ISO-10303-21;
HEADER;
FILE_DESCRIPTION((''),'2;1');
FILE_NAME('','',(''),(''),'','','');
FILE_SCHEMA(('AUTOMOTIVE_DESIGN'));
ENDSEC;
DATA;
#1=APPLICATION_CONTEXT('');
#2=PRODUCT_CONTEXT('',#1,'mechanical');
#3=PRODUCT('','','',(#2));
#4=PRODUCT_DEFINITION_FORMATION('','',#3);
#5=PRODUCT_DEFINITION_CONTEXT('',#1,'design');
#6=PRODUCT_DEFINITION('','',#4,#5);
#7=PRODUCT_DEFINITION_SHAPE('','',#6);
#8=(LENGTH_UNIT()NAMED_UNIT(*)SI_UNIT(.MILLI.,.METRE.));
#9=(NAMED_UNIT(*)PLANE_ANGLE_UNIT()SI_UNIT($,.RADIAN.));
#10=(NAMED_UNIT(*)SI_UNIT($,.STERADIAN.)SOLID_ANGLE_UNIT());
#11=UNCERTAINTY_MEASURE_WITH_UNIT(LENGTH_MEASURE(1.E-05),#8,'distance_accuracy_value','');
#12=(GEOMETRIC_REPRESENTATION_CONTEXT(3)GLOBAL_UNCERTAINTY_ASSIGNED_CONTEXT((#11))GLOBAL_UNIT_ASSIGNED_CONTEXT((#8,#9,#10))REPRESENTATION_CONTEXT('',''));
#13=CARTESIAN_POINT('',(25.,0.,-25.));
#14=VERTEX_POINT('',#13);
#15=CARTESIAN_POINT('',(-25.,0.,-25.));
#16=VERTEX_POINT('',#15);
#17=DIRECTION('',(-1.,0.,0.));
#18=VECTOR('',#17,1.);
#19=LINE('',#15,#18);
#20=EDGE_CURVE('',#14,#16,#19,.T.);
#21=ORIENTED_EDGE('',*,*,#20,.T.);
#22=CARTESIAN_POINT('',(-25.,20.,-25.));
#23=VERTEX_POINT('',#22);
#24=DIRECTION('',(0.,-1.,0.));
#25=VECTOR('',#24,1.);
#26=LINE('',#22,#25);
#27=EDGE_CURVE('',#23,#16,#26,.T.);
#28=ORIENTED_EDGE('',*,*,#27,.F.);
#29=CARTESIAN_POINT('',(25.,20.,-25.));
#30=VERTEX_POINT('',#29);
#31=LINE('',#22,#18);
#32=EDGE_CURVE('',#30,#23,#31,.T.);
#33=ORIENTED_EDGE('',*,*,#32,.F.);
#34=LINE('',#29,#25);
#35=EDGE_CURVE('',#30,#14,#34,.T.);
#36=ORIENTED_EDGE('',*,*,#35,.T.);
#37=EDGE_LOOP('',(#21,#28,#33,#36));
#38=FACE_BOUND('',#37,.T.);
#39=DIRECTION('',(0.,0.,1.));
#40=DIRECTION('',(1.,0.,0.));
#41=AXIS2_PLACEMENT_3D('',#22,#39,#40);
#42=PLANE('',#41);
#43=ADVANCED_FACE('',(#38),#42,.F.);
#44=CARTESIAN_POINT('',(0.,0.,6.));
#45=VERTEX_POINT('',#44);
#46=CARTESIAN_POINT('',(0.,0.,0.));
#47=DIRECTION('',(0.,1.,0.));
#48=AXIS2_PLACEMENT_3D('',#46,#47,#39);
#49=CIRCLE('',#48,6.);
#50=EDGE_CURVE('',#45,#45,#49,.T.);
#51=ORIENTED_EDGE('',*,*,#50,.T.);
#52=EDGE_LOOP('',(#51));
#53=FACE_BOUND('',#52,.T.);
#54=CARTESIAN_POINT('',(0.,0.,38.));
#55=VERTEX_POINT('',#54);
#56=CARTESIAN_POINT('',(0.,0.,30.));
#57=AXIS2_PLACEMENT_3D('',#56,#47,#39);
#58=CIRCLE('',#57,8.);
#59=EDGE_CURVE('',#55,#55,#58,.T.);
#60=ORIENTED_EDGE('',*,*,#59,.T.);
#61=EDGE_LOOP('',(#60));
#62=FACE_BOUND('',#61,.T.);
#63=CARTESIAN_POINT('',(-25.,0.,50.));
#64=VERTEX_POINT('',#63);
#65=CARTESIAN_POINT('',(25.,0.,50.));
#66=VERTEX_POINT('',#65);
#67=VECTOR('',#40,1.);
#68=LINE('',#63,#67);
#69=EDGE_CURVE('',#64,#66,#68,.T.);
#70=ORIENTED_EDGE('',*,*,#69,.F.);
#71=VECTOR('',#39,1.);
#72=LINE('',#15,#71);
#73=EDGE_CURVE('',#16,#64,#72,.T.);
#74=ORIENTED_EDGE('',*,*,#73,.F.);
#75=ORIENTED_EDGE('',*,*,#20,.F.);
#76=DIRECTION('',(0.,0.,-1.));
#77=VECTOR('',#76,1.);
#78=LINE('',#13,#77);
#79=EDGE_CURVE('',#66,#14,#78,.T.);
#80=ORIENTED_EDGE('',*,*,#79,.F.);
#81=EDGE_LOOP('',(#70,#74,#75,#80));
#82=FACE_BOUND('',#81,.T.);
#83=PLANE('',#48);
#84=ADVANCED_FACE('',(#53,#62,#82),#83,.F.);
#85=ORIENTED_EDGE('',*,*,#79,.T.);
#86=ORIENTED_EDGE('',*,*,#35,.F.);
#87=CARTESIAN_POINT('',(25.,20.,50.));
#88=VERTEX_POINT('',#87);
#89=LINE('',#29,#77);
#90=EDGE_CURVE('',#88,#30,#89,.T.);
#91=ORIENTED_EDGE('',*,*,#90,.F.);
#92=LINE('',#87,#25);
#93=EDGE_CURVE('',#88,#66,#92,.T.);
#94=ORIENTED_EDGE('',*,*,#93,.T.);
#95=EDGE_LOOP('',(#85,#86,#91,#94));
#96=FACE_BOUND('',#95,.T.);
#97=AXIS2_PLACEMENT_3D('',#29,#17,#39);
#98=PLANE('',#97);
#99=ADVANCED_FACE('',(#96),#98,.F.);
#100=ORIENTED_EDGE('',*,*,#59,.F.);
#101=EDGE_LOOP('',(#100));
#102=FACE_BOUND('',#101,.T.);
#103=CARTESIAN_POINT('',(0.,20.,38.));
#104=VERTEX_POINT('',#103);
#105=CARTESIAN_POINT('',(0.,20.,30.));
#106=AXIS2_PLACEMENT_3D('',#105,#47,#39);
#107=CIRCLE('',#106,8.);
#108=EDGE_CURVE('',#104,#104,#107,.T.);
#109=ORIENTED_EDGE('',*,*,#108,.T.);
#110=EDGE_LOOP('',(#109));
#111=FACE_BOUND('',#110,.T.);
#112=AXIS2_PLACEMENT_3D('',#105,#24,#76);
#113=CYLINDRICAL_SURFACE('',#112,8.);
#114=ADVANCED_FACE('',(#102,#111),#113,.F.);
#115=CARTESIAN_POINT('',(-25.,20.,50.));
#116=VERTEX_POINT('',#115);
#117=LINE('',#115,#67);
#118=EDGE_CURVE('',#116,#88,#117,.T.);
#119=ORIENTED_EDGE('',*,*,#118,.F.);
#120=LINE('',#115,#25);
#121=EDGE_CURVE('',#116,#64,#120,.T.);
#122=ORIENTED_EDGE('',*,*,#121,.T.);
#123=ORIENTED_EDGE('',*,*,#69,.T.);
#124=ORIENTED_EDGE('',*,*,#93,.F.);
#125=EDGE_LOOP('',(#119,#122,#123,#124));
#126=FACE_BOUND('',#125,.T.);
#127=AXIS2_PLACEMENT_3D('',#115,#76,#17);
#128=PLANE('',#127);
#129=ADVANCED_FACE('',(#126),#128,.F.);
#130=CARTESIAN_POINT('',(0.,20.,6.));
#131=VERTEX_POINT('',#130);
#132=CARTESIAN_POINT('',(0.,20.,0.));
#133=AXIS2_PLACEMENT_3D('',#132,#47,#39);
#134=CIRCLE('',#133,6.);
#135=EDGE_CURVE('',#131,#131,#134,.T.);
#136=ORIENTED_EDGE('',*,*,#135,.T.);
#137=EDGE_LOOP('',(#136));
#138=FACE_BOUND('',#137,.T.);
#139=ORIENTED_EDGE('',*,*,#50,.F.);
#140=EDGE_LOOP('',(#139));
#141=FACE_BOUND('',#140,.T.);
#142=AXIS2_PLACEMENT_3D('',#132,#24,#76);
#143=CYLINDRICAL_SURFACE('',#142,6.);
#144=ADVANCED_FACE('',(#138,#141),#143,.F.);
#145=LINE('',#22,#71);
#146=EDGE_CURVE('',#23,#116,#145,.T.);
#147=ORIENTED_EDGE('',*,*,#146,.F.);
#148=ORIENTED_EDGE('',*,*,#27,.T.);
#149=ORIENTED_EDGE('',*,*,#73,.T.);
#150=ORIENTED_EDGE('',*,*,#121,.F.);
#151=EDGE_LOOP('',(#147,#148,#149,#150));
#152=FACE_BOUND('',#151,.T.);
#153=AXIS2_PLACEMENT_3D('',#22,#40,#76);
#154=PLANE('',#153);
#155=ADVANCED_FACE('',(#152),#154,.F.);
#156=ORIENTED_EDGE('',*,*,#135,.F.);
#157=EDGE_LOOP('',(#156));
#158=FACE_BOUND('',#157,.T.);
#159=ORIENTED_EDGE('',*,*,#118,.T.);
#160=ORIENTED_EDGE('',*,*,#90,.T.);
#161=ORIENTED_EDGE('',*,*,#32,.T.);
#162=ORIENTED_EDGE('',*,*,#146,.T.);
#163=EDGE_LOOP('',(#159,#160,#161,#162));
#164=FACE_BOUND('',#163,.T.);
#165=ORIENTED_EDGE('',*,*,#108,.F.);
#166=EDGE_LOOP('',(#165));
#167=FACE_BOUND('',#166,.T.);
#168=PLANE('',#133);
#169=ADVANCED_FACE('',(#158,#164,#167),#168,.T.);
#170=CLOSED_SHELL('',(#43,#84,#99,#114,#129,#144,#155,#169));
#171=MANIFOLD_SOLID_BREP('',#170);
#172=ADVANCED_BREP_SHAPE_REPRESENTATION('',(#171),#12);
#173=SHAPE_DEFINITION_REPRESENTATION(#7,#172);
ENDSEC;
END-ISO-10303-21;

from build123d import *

# Parameters (mm, degrees)
SKETCH1_W           = 50
SKETCH1_H           = 75
SKETCH1_R           = 6
SKETCH1_R_2         = 8
BOSS_EXTRUDE1_DEPTH = 20


with BuildPart() as part:
    # Sketch1 → Boss-Extrude1 (new body)
    with BuildSketch(Plane(origin=(0, 0, 0), x_dir=(1, 0, 0), z_dir=(0, 1, 0))):
        with Locations((0, -12.5)):
            Rectangle(SKETCH1_W, SKETCH1_H)
        Circle(SKETCH1_R, mode=Mode.SUBTRACT)
        with Locations((0, -30)):
            Circle(SKETCH1_R_2, mode=Mode.SUBTRACT)
    extrude(amount=BOSS_EXTRUDE1_DEPTH)


solid = part.part
